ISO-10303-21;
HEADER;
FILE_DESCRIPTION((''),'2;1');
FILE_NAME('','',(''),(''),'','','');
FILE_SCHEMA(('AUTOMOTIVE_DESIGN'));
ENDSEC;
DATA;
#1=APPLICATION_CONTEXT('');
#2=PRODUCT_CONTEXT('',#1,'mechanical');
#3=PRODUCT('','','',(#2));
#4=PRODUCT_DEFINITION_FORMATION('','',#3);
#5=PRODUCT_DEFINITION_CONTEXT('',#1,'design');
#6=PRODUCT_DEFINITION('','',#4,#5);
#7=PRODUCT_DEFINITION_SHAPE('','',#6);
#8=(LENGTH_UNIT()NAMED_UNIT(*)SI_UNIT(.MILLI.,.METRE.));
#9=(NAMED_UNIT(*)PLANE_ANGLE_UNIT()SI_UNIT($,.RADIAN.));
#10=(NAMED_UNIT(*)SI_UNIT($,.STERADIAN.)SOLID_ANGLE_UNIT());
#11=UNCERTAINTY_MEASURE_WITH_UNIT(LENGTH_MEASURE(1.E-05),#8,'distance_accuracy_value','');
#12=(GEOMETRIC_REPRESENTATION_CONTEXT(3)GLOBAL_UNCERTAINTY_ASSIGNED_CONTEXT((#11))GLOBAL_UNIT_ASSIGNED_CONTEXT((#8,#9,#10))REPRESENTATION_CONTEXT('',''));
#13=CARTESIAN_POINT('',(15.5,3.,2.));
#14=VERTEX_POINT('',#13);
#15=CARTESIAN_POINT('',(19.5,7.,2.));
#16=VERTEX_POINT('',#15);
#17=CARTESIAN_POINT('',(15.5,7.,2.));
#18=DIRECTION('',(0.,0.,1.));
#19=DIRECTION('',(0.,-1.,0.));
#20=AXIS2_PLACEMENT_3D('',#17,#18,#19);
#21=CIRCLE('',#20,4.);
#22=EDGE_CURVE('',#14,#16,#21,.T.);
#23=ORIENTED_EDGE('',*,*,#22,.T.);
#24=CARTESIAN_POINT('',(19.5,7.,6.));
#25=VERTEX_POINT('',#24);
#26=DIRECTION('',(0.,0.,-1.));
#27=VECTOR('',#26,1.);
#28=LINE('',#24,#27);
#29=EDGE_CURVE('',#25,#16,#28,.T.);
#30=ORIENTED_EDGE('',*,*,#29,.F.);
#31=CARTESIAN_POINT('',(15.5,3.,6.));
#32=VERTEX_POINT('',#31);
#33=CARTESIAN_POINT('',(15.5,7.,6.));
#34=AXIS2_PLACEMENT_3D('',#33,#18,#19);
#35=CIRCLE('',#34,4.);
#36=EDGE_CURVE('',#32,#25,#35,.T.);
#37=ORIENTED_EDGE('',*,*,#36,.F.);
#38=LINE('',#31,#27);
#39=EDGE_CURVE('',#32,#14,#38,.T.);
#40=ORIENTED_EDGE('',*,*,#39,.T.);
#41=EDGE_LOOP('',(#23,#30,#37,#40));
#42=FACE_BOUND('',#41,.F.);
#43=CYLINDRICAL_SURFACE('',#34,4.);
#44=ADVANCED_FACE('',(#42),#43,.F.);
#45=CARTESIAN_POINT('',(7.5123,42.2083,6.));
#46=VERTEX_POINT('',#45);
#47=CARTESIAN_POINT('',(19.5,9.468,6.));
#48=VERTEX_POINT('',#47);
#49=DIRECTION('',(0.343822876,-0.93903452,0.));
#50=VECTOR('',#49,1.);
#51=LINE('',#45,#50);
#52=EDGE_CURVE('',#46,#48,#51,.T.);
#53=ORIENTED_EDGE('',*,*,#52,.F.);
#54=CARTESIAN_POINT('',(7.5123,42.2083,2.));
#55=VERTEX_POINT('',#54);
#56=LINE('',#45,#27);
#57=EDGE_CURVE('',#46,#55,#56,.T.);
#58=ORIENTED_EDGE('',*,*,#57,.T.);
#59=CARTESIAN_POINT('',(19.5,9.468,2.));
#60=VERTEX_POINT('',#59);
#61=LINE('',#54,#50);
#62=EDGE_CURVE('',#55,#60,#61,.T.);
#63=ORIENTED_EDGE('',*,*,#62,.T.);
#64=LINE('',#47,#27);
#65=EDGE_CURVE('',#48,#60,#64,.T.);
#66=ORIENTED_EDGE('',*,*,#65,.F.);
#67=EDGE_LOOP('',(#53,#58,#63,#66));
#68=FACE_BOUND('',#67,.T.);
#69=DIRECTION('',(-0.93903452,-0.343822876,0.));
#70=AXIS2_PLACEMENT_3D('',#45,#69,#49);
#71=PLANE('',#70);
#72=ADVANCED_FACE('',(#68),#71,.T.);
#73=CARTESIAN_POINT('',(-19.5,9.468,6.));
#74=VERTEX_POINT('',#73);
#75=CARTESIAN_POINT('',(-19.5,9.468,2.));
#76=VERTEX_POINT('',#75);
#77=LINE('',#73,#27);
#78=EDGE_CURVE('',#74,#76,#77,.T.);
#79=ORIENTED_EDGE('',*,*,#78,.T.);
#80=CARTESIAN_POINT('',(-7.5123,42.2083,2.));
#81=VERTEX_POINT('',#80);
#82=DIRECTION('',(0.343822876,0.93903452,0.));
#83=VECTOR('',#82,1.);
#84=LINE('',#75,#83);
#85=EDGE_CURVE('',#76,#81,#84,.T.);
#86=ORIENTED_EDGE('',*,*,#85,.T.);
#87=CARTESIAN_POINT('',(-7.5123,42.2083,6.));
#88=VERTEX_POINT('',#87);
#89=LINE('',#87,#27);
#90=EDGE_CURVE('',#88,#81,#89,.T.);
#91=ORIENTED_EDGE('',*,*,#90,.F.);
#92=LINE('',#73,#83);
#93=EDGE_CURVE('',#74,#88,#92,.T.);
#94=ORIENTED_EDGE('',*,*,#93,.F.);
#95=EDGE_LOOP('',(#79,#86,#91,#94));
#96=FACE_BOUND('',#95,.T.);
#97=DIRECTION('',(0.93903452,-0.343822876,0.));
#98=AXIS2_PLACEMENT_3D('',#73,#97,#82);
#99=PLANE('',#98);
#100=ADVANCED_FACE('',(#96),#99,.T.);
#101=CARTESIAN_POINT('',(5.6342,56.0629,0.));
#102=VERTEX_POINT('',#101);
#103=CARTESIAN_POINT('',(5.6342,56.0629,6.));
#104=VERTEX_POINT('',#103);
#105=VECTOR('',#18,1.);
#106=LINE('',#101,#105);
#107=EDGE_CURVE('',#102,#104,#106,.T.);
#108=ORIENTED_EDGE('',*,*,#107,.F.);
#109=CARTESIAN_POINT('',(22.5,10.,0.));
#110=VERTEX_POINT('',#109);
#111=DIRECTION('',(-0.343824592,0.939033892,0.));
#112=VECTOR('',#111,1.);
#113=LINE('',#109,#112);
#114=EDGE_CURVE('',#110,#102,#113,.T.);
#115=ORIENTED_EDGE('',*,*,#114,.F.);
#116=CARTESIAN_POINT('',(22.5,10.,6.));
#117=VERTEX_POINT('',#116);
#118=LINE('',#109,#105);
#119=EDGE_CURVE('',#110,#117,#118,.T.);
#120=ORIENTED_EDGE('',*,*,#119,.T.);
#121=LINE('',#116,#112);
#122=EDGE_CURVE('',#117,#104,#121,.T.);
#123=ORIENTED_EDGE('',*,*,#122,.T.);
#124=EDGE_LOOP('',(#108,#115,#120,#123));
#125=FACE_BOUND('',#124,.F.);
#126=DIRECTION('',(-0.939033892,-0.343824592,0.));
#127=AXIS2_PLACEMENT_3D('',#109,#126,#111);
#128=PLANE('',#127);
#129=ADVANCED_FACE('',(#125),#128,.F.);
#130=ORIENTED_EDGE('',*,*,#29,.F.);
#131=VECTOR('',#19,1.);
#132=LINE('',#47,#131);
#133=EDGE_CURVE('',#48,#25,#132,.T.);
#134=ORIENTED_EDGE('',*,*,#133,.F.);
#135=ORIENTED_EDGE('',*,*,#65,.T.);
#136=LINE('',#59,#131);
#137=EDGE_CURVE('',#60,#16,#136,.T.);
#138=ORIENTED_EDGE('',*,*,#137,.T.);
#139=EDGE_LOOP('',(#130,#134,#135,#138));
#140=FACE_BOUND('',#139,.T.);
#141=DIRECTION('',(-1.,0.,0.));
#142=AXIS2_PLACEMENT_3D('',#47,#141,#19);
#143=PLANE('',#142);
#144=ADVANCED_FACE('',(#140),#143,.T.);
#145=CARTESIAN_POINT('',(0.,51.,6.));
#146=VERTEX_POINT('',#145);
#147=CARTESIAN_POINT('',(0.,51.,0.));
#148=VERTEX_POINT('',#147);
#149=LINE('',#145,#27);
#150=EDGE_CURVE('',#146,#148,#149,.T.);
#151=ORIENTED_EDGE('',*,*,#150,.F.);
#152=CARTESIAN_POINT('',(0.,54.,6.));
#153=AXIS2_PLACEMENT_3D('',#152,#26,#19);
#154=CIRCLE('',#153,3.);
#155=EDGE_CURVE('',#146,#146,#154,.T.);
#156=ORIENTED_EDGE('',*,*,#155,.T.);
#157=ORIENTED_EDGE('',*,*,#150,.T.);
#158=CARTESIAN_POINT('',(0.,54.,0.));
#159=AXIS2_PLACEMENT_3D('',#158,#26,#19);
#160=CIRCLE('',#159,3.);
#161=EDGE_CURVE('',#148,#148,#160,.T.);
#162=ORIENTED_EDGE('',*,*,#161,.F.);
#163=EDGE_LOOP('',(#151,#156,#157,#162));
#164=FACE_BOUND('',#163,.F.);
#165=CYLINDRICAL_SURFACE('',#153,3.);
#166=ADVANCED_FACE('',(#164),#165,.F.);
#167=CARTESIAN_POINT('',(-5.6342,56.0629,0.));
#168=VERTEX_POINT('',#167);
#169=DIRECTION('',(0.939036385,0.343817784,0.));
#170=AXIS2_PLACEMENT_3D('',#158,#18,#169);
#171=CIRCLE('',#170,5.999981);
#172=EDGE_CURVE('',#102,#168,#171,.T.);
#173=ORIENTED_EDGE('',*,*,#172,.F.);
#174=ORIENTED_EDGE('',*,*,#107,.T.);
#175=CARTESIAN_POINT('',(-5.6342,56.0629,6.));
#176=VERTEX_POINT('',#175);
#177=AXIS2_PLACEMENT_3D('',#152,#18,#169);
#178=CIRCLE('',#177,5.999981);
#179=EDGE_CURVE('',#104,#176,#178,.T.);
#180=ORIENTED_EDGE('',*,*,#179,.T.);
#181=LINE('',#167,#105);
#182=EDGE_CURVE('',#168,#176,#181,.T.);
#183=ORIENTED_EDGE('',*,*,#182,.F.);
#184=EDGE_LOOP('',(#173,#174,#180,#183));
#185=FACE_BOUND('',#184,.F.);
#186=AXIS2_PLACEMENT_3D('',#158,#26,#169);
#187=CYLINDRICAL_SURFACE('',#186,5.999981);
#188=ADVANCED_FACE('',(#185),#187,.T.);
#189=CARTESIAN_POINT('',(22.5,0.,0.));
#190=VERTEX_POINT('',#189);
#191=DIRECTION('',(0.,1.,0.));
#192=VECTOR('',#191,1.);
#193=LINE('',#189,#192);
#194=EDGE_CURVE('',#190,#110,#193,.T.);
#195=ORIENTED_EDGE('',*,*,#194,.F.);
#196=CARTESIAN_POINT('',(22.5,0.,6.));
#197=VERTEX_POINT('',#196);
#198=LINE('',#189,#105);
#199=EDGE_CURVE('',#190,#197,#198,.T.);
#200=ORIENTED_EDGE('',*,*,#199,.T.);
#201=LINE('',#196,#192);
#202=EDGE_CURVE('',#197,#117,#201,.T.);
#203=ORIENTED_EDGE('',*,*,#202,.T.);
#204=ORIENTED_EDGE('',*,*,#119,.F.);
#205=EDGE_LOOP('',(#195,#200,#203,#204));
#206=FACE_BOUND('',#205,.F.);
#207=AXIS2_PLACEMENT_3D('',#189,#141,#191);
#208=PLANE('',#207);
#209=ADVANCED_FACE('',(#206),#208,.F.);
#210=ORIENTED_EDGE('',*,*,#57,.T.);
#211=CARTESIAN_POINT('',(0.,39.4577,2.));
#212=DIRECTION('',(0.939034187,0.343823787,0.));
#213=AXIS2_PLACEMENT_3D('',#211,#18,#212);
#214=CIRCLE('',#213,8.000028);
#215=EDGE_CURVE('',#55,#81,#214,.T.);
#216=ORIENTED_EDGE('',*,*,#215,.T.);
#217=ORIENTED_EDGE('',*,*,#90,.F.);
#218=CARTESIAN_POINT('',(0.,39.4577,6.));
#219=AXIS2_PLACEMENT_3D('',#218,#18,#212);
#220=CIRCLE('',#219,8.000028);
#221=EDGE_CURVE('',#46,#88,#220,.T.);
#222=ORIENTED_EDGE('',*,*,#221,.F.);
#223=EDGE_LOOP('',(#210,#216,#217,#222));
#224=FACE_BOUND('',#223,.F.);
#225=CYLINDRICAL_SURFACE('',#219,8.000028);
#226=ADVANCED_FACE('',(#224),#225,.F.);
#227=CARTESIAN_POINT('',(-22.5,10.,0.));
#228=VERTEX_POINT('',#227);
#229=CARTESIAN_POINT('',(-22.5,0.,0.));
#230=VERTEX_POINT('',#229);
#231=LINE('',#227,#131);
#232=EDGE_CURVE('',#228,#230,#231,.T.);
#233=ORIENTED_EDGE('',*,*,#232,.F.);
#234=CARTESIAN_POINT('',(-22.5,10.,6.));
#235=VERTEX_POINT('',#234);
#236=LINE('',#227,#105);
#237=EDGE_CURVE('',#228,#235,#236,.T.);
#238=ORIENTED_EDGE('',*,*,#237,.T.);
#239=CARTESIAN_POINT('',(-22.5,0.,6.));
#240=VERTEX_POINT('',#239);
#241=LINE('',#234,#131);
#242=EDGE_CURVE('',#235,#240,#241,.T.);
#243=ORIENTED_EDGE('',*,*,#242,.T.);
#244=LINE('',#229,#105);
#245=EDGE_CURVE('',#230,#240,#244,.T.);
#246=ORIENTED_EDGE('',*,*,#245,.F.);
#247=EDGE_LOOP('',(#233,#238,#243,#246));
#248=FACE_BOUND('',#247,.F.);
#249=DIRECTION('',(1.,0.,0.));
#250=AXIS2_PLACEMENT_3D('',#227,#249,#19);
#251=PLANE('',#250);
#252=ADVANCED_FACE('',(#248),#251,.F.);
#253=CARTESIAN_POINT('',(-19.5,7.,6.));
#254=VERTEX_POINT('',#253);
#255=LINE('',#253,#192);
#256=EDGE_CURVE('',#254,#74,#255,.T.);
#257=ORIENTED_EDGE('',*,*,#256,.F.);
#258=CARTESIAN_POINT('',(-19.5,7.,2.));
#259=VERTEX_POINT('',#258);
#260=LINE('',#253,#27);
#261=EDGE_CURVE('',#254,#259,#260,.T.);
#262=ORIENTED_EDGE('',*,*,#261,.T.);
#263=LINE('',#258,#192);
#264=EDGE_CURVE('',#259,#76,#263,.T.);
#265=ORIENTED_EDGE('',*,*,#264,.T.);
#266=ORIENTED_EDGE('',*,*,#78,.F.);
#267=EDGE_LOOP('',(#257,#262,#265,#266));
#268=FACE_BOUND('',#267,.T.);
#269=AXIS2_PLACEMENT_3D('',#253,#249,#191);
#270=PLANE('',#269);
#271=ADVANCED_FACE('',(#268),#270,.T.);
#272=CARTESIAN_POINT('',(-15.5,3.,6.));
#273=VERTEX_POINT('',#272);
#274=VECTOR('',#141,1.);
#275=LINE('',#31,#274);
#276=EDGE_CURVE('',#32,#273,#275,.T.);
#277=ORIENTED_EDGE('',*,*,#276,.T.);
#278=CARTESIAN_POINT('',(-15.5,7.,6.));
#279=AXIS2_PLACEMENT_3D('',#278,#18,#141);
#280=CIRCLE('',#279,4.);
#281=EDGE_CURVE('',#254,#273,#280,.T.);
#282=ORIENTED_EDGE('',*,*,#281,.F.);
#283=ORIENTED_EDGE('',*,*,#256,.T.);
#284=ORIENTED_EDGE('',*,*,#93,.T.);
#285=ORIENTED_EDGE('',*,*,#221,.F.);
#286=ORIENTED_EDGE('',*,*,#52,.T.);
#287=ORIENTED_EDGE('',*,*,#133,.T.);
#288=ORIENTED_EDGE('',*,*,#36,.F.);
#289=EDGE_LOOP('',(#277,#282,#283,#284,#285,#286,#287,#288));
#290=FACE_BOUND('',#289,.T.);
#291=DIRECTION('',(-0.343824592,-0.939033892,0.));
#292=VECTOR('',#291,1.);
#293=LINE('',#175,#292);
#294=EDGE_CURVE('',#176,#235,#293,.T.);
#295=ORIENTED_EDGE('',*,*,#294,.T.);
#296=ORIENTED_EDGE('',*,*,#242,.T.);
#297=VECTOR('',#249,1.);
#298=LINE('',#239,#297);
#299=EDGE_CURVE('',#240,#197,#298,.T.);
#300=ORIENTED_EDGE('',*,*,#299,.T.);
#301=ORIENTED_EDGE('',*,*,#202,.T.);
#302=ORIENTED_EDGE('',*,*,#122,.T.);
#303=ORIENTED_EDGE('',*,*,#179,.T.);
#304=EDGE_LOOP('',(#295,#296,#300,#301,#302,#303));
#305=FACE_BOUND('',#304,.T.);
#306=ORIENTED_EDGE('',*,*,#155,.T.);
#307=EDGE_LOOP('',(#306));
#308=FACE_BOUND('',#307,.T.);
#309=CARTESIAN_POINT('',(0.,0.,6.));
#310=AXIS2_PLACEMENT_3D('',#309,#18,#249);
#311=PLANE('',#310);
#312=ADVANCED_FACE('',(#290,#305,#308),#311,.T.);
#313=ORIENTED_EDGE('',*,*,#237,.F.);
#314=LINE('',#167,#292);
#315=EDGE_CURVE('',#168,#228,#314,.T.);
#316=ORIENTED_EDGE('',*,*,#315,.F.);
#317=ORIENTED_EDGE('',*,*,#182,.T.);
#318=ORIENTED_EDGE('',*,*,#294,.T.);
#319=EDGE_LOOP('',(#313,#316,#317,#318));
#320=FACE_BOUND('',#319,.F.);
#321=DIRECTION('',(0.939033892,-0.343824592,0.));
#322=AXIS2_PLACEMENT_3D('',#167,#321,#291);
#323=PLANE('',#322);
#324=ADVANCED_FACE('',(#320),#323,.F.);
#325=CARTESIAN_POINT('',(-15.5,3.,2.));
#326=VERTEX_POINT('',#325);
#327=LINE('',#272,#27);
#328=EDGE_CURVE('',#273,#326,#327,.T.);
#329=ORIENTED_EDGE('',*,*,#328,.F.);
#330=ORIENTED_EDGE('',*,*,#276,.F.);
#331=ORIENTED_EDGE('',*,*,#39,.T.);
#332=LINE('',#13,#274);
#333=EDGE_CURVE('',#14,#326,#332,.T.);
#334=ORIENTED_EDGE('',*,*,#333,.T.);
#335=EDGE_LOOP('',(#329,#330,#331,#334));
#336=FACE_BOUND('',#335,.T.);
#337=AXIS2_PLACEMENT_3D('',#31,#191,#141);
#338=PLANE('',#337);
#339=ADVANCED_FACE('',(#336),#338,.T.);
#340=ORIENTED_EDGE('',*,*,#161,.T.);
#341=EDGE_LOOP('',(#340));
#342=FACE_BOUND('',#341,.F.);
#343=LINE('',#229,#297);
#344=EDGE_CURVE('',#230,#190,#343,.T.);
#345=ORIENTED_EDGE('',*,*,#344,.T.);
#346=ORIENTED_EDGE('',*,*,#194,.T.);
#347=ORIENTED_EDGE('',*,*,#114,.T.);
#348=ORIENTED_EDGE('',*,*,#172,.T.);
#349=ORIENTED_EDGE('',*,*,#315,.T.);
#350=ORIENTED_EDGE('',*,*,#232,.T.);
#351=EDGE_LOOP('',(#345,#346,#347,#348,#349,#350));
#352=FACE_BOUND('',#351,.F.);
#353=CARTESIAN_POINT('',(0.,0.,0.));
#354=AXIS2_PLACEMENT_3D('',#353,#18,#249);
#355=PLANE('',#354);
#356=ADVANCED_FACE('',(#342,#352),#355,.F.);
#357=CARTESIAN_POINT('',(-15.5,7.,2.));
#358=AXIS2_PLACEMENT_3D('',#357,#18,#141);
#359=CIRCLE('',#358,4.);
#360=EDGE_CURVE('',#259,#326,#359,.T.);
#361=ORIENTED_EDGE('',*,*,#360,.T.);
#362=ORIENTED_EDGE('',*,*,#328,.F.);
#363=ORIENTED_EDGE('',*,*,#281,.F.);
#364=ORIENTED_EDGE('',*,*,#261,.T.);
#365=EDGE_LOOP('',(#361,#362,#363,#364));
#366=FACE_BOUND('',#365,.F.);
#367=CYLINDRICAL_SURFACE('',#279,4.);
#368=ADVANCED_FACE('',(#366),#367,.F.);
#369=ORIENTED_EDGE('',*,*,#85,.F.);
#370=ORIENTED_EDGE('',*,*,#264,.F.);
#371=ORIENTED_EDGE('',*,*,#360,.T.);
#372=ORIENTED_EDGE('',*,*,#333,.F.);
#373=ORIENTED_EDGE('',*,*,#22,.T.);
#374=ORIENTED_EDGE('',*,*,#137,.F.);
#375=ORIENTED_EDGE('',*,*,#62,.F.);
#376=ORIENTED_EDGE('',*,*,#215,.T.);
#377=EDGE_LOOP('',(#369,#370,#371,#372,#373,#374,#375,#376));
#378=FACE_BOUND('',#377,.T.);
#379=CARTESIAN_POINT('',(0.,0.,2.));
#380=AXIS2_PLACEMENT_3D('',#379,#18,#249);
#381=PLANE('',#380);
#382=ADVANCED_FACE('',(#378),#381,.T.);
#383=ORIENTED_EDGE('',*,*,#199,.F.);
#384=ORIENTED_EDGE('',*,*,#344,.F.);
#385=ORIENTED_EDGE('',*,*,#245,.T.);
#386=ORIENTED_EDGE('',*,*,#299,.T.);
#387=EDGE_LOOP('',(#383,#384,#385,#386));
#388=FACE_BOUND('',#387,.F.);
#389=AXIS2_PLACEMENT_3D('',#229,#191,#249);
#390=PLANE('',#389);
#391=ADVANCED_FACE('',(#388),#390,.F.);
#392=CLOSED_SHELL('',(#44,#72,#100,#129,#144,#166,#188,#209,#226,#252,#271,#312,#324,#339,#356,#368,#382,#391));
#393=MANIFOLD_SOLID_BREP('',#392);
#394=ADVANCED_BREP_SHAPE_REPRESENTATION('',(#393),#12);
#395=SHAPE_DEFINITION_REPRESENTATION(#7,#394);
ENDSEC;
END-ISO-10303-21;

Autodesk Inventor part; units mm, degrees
ref_plane "YZ Plane" through (0, 0, 0) normal (1, 0, 0) x (0, 1, 0)
ref_plane "XZ Plane" through (0, 0, 0) normal (0, 1, 0) x (-1, 0, 0)
ref_plane "XY Plane" through (0, 0, 0) normal (0, 0, 1) x (1, 0, 0)
sketch "Sketch1" plane through (0, 0, 0) normal (0, 0, 1) x (1, 0, 0)
  line L0 (-22.5, 0) -> (22.5, 0)
  line L1 (22.5, 0) -> (22.5, 10)
  line L2 (22.5, 10) -> (5.6342, 56.0629)
  arc A0 (5.6342, 56.0629) -> (-5.6342, 56.0629) centre (0, 54) ccw
  line L3 (-5.6342, 56.0629) -> (-22.5, 10)
  line L4 (-22.5, 10) -> (-22.5, 0)
  point P0 (0, 0)
  point P1 (0, 0)
  dimension "d0" = 45
  dimension "d1" = 10
  dimension "d2" = 6
  dimension "d3" = 54
extrude "Extrusion1" add sketch "Sketch1" along normal blind 6
sketch "Sketch2" plane through (0, 0, 6) normal (0, 0, 1) x (1, 0, 0)
  line L0 (22.5, 0) -> (22.5, 10) projected
  line L1 (22.5, 10) -> (5.6342, 56.0629) projected
  line L2 (-5.6342, 56.0629) -> (-22.5, 10) projected
  line L3 (-22.5, 10) -> (-22.5, 0) projected
  line L4 (-22.5, 0) -> (22.5, 0) projected
  line L5 (-19.5, 9.468) -> (-7.5123, 42.2083)
  line L6 (7.5123, 42.2083) -> (19.5, 9.468)
  line L7 (19.5, 9.468) -> (19.5, 7)
  line L8 (15.5, 3) -> (-15.5, 3)
  line L9 (-19.5, 7) -> (-19.5, 9.468)
  arc A0 (7.5123, 42.2083) -> (-7.5123, 42.2083) centre (0, 39.4577) ccw
  arc A1 (-19.5, 7) -> (-15.5, 3) centre (-15.5, 7) ccw
  arc A2 (15.5, 3) -> (19.5, 7) centre (15.5, 7) ccw
  point P0 (0, 0)
  dimension "d6" = 3
  dimension "d7" = 8
  dimension "d8" = 3
  dimension "d9" = 4
extrude "Extrusion2" cut sketch "Sketch2" against normal blind 4
sketch "Sketch3" plane through (0, 0, 6) normal (0, 0, 1) x (1, 0, 0)
  arc A0 (5.6342, 56.0629) -> (-5.6342, 56.0629) centre (0, 54) ccw projected
  point P0 (0, 0)
hole "Hole1" at (0, 54, 6) direction (0, 0, -1) diameter 6 end through all
properties part number "Bearing Short" material "Steel"
